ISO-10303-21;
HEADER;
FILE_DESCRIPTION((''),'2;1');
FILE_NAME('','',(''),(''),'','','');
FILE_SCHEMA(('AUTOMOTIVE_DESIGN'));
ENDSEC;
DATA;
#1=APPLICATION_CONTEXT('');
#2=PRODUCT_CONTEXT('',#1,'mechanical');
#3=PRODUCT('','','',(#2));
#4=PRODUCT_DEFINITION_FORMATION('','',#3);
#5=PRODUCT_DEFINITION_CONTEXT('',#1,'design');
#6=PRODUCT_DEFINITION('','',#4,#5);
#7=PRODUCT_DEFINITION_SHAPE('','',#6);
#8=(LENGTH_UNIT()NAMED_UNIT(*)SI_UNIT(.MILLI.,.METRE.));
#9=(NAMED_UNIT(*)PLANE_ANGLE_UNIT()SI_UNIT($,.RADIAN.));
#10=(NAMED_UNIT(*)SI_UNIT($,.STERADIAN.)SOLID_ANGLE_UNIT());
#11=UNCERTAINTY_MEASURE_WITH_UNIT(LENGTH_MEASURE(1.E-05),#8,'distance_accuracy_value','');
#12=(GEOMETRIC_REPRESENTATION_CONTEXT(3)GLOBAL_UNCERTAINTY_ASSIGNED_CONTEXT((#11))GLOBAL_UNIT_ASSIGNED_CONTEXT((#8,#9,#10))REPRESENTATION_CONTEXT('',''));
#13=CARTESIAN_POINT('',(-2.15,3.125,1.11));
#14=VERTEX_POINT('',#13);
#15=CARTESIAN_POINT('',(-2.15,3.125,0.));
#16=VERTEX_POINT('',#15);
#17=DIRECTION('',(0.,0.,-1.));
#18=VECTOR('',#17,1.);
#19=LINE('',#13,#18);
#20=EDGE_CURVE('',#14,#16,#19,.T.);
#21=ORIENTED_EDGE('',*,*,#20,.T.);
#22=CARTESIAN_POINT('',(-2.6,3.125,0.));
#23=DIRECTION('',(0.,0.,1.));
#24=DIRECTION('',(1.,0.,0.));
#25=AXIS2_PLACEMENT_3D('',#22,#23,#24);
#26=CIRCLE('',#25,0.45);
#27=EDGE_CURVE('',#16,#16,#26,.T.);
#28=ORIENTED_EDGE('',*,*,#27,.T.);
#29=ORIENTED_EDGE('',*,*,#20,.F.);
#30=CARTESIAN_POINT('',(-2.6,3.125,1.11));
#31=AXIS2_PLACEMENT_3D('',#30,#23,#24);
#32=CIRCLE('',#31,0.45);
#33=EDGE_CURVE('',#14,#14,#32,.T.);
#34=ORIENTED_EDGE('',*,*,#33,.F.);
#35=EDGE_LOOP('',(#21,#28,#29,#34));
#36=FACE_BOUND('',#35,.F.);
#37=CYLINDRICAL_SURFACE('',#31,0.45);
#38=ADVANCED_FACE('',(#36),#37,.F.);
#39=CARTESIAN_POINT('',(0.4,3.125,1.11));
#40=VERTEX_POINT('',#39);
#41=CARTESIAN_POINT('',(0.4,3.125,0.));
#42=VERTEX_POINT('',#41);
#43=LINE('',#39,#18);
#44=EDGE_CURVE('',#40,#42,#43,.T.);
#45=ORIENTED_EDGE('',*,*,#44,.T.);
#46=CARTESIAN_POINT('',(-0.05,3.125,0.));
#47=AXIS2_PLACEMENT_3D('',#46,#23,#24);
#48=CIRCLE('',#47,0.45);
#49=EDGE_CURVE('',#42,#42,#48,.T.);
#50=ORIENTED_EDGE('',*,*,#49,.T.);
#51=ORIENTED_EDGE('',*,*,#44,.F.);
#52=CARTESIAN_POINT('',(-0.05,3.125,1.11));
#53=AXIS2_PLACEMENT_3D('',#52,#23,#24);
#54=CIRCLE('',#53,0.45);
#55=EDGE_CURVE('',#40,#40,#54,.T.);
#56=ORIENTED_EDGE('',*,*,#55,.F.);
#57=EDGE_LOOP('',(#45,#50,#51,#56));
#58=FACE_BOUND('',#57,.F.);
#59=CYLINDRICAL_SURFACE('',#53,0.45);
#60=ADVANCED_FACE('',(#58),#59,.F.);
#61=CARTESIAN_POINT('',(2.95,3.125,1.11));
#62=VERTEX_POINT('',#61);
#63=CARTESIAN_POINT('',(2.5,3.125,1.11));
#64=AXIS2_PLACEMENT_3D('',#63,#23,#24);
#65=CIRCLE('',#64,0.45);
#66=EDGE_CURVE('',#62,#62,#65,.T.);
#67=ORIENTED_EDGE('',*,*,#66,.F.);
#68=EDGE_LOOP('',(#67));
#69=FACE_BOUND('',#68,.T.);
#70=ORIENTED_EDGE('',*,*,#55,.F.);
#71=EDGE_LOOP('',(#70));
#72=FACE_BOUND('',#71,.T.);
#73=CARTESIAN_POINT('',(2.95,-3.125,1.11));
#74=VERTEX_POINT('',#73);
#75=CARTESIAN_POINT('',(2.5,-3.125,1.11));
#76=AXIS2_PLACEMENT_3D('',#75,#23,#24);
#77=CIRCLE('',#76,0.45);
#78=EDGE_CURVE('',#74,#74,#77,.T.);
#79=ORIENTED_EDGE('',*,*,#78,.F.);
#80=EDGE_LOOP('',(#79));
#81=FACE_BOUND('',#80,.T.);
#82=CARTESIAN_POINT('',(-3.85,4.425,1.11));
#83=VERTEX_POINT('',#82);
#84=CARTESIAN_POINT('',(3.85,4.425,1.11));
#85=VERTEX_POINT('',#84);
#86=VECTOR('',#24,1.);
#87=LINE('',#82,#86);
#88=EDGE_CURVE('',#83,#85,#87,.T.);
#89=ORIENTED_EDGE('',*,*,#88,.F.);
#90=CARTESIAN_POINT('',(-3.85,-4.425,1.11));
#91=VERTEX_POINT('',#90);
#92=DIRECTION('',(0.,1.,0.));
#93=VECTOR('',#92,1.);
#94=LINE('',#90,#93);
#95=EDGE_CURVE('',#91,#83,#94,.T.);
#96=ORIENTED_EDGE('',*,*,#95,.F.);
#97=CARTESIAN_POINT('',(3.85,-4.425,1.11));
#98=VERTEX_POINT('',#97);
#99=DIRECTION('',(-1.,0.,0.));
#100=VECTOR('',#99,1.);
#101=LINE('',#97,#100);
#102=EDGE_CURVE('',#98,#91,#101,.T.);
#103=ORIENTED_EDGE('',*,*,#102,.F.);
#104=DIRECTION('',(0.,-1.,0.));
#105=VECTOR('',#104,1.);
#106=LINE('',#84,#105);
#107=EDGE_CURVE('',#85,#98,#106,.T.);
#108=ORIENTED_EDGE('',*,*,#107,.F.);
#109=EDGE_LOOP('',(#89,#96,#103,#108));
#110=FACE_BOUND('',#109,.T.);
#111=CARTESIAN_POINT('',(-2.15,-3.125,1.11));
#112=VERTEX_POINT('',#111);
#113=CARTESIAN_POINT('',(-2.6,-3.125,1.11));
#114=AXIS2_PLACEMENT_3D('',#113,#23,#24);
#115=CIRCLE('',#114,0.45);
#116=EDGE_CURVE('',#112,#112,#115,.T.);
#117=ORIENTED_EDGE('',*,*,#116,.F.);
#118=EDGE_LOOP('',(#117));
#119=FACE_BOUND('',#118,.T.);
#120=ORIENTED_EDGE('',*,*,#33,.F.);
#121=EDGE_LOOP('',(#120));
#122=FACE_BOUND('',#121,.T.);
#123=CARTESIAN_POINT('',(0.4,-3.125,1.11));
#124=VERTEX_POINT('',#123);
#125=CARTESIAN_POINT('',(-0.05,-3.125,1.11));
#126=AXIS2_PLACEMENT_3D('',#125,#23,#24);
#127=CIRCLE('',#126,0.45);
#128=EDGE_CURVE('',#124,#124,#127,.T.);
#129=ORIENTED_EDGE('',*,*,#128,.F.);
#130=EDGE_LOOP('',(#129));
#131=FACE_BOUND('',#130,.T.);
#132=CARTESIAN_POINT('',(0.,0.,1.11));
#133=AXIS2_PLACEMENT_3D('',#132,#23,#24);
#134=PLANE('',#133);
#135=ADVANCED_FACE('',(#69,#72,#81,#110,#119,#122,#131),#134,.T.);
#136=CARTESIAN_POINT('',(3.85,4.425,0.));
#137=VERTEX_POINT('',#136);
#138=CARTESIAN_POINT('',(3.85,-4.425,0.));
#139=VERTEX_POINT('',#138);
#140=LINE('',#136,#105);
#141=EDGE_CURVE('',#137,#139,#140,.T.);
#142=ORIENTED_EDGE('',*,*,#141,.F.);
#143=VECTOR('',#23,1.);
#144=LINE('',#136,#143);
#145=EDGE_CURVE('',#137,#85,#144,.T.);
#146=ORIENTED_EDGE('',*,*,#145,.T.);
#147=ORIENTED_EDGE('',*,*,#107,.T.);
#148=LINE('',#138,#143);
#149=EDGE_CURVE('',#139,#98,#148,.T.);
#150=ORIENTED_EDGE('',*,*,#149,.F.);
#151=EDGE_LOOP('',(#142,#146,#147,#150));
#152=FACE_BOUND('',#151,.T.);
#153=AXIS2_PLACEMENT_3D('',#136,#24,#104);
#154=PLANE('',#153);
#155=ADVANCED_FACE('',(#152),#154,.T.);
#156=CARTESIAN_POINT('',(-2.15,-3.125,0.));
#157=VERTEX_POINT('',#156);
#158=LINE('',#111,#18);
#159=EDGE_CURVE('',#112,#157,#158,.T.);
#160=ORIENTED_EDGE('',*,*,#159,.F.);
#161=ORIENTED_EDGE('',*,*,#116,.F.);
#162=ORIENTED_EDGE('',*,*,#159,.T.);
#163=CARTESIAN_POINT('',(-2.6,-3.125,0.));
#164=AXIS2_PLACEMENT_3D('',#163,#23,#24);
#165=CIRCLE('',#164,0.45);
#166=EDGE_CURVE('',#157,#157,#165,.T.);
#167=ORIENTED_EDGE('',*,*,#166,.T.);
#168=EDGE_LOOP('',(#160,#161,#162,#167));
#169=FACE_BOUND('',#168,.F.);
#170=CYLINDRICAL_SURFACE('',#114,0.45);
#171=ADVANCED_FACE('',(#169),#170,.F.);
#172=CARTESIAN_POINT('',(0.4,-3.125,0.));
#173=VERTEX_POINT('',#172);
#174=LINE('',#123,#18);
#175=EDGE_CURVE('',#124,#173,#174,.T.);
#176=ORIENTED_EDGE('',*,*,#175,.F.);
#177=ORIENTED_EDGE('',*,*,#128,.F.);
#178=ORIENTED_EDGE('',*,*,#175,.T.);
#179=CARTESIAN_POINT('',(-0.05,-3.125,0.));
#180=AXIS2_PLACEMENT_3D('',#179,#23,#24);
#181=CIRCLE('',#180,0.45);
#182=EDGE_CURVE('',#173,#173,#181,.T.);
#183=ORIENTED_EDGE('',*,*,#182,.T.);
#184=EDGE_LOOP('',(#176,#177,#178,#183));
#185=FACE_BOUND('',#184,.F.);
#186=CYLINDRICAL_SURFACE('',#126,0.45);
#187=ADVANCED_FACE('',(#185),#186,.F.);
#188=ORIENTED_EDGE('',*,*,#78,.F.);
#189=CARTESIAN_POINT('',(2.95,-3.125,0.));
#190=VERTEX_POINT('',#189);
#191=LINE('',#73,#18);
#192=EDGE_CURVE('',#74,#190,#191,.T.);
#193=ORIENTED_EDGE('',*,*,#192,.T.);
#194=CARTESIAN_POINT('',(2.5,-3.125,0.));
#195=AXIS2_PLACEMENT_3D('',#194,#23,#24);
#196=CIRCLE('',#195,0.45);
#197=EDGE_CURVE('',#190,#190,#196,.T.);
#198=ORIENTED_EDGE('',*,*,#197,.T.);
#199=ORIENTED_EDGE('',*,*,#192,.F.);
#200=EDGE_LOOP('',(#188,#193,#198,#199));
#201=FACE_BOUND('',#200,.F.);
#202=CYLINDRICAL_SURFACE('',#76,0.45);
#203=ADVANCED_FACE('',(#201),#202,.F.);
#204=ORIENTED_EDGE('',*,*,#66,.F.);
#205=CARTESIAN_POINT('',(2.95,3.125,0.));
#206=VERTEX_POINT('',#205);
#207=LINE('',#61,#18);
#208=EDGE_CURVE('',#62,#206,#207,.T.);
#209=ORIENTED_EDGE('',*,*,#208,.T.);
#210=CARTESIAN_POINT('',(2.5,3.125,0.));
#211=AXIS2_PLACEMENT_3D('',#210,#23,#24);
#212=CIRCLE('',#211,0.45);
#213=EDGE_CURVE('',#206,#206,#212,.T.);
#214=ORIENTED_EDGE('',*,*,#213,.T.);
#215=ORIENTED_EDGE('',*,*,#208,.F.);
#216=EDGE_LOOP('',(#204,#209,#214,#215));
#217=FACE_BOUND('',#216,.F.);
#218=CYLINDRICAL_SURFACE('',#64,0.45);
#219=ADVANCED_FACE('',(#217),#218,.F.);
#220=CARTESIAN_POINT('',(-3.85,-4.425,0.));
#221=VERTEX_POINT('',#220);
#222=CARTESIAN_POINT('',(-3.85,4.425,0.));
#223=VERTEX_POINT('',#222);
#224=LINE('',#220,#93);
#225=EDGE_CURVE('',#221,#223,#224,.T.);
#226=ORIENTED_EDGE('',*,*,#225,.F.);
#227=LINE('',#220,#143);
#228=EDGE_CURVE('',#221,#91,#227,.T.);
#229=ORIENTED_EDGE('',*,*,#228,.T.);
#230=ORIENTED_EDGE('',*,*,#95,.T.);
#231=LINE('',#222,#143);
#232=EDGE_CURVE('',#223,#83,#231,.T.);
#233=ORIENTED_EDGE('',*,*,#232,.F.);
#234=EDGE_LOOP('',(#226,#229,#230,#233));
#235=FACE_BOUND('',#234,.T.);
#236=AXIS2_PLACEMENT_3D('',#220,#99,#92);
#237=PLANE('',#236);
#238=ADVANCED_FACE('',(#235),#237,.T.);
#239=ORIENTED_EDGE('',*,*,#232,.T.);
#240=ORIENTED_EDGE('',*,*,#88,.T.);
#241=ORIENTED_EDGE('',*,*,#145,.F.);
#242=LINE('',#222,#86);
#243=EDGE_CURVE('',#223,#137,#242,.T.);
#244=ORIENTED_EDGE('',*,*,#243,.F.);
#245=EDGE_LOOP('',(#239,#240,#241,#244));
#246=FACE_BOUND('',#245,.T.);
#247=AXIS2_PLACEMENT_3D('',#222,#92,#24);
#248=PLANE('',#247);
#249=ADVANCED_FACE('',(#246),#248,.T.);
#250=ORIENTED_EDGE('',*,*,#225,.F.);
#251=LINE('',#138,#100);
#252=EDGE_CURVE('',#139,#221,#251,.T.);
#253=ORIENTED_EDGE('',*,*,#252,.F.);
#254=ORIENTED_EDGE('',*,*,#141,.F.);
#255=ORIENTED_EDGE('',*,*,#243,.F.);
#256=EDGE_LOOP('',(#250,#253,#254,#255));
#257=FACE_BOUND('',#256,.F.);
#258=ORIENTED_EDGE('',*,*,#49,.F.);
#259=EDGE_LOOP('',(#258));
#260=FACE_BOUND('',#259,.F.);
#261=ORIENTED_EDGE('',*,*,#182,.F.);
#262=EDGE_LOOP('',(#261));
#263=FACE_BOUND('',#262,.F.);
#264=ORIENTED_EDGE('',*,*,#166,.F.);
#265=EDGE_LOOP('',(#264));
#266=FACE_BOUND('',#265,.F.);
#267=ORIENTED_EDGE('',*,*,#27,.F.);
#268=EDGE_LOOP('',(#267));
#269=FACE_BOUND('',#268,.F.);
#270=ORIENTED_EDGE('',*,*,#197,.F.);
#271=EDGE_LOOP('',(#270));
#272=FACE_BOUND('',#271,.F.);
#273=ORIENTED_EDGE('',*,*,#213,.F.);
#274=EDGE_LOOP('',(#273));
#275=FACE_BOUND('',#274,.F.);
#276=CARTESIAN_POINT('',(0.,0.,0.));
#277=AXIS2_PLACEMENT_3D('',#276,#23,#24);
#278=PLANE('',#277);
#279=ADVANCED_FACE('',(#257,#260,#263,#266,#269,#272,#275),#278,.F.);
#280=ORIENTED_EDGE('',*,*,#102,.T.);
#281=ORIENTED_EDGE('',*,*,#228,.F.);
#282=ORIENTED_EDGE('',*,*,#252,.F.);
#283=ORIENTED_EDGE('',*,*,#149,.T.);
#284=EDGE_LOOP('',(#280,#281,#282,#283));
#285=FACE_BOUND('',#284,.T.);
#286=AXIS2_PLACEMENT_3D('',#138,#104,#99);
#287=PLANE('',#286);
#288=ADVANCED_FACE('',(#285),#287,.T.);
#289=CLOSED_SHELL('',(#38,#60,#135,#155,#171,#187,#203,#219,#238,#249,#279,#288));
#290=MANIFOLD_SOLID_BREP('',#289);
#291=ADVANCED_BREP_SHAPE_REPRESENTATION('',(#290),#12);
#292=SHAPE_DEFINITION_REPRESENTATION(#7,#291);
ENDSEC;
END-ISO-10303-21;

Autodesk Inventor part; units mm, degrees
ref_plane "YZ Plane" through (0, 0, 0) normal (1, 0, 0) x (0, 1, 0)
ref_plane "XZ Plane" through (0, 0, 0) normal (0, 1, 0) x (-1, 0, 0)
ref_plane "XY Plane" through (0, 0, 0) normal (0, 0, 1) x (1, 0, 0)
sketch "Skizze1" plane through (0, 0, 0) normal (0, 0, 1) x (1, 0, 0)
  line L0 (-3.85, 4.425) -> (3.85, 4.425)
  line L1 (3.85, 4.425) -> (3.85, -4.425)
  line L2 (3.85, -4.425) -> (-3.85, -4.425)
  line L3 (-3.85, -4.425) -> (-3.85, 4.425)
  line L4 (-3.85, 4.425) -> (3.85, -4.425) construction
  point P0 (0, 0)
  point P1 (0, 0)
  dimension "d0" = 7.7
  dimension "d1" = 8.85
extrude "Extrusion2" add sketch "Skizze1" along normal blind 1.11
sketch "Skizze2" plane through (0, 0, 1.11) normal (0, 0, 1) x (1, 0, 0)
  line L0 (3.85, 4.425) -> (-3.85, 4.425) construction
  line L1 (-3.85, 4.425) -> (-3.85, 3.125) construction
  line L2 (-3.85, 4.425) -> (-3.85, -4.425) construction
  line L3 (-3.85, 3.125) -> (3.85, 3.125) construction
  line L4 (3.85, -4.425) -> (3.85, 4.425) construction
  line L5 (-3.85, 3.125) -> (-3.05, 3.125) construction
  line L6 (3.85, 3.125) -> (3.05, 3.125) construction
  line L7 (-3.05, 3.125) -> (-2.6, 3.125) construction
  circle A0 centre (-2.6, 3.125) radius 0.45
  circle A1 centre (-0.05, 3.125) radius 0.45
  circle A2 centre (2.5, 3.125) radius 0.45
  circle A3 centre (5.05, 3.125) radius 0.45
  circle A4 centre (7.6, 3.125) radius 0.45
  circle A5 centre (10.15, 3.125) radius 0.45
  line L8 (-3.85, -4.425) -> (-3.85, -3.125) construction
  line L9 (-3.85, -3.125) -> (3.85, -3.125) construction
  line L10 (-3.85, -3.125) -> (-2.6, -3.125) construction
  circle A6 centre (-2.6, -3.125) radius 0.45
  circle A7 centre (-0.05, -3.125) radius 0.45
  line L11 (-1.3, -3.125) -> (6.4, -3.125) construction
  circle A8 centre (2.5, -3.125) radius 0.45
  line L12 (1.25, -3.125) -> (8.95, -3.125) construction
  circle A9 centre (5.05, -3.125) radius 0.45
  line L13 (3.8, -3.125) -> (11.5, -3.125) construction
  circle A10 centre (7.6, -3.125) radius 0.45
  line L14 (6.35, -3.125) -> (14.05, -3.125) construction
  circle A11 centre (10.15, -3.125) radius 0.45
  line L15 (8.9, -3.125) -> (16.6, -3.125) construction
  line L16 (3.05, 3.125) -> (2.6, 3.125)
  point P0 (0, 0)
  dimension "d6" = 1.3
  dimension "d7" = 0.8
  dimension "d8" = 0.8
  dimension "d9" = 0.45
  dimension "d10" = 0.9
  dimension "d13" = 2.55
  dimension "d20" = 1.3
  dimension "d21" = 1.25
  dimension "d22" = 0.9
  dimension "d25" = 2.55
  dimension "d30" = 0.45
extrude "Extrusion3" cut sketch "Skizze2" against normal blind 1.11 contours A0 | A1 | A2 | A3 | A4 | A5 | A6 | A7 | A8 | A10 | A11
sketch "Skizze3" plane through (0, 0, 1.11) normal (0, 0, 1) x (1, 0, 0)
  line L0 (3.8509, -4.4242) -> (-3.85, -4.425) construction
  line L1 (-3.85, -4.425) -> (-3.8509, 4.4242) construction
  line L2 (-3.8509, 4.4242) -> (3.85, 4.425) construction
  line L3 (3.85, 4.425) -> (3.8509, -4.4242) construction
  point P0 (0, 0)
  point P1 (3.85, 4.425)
  point P2 (-3.85, -4.425)
decal "Aufkleber1"
properties part number "chip_gross"
